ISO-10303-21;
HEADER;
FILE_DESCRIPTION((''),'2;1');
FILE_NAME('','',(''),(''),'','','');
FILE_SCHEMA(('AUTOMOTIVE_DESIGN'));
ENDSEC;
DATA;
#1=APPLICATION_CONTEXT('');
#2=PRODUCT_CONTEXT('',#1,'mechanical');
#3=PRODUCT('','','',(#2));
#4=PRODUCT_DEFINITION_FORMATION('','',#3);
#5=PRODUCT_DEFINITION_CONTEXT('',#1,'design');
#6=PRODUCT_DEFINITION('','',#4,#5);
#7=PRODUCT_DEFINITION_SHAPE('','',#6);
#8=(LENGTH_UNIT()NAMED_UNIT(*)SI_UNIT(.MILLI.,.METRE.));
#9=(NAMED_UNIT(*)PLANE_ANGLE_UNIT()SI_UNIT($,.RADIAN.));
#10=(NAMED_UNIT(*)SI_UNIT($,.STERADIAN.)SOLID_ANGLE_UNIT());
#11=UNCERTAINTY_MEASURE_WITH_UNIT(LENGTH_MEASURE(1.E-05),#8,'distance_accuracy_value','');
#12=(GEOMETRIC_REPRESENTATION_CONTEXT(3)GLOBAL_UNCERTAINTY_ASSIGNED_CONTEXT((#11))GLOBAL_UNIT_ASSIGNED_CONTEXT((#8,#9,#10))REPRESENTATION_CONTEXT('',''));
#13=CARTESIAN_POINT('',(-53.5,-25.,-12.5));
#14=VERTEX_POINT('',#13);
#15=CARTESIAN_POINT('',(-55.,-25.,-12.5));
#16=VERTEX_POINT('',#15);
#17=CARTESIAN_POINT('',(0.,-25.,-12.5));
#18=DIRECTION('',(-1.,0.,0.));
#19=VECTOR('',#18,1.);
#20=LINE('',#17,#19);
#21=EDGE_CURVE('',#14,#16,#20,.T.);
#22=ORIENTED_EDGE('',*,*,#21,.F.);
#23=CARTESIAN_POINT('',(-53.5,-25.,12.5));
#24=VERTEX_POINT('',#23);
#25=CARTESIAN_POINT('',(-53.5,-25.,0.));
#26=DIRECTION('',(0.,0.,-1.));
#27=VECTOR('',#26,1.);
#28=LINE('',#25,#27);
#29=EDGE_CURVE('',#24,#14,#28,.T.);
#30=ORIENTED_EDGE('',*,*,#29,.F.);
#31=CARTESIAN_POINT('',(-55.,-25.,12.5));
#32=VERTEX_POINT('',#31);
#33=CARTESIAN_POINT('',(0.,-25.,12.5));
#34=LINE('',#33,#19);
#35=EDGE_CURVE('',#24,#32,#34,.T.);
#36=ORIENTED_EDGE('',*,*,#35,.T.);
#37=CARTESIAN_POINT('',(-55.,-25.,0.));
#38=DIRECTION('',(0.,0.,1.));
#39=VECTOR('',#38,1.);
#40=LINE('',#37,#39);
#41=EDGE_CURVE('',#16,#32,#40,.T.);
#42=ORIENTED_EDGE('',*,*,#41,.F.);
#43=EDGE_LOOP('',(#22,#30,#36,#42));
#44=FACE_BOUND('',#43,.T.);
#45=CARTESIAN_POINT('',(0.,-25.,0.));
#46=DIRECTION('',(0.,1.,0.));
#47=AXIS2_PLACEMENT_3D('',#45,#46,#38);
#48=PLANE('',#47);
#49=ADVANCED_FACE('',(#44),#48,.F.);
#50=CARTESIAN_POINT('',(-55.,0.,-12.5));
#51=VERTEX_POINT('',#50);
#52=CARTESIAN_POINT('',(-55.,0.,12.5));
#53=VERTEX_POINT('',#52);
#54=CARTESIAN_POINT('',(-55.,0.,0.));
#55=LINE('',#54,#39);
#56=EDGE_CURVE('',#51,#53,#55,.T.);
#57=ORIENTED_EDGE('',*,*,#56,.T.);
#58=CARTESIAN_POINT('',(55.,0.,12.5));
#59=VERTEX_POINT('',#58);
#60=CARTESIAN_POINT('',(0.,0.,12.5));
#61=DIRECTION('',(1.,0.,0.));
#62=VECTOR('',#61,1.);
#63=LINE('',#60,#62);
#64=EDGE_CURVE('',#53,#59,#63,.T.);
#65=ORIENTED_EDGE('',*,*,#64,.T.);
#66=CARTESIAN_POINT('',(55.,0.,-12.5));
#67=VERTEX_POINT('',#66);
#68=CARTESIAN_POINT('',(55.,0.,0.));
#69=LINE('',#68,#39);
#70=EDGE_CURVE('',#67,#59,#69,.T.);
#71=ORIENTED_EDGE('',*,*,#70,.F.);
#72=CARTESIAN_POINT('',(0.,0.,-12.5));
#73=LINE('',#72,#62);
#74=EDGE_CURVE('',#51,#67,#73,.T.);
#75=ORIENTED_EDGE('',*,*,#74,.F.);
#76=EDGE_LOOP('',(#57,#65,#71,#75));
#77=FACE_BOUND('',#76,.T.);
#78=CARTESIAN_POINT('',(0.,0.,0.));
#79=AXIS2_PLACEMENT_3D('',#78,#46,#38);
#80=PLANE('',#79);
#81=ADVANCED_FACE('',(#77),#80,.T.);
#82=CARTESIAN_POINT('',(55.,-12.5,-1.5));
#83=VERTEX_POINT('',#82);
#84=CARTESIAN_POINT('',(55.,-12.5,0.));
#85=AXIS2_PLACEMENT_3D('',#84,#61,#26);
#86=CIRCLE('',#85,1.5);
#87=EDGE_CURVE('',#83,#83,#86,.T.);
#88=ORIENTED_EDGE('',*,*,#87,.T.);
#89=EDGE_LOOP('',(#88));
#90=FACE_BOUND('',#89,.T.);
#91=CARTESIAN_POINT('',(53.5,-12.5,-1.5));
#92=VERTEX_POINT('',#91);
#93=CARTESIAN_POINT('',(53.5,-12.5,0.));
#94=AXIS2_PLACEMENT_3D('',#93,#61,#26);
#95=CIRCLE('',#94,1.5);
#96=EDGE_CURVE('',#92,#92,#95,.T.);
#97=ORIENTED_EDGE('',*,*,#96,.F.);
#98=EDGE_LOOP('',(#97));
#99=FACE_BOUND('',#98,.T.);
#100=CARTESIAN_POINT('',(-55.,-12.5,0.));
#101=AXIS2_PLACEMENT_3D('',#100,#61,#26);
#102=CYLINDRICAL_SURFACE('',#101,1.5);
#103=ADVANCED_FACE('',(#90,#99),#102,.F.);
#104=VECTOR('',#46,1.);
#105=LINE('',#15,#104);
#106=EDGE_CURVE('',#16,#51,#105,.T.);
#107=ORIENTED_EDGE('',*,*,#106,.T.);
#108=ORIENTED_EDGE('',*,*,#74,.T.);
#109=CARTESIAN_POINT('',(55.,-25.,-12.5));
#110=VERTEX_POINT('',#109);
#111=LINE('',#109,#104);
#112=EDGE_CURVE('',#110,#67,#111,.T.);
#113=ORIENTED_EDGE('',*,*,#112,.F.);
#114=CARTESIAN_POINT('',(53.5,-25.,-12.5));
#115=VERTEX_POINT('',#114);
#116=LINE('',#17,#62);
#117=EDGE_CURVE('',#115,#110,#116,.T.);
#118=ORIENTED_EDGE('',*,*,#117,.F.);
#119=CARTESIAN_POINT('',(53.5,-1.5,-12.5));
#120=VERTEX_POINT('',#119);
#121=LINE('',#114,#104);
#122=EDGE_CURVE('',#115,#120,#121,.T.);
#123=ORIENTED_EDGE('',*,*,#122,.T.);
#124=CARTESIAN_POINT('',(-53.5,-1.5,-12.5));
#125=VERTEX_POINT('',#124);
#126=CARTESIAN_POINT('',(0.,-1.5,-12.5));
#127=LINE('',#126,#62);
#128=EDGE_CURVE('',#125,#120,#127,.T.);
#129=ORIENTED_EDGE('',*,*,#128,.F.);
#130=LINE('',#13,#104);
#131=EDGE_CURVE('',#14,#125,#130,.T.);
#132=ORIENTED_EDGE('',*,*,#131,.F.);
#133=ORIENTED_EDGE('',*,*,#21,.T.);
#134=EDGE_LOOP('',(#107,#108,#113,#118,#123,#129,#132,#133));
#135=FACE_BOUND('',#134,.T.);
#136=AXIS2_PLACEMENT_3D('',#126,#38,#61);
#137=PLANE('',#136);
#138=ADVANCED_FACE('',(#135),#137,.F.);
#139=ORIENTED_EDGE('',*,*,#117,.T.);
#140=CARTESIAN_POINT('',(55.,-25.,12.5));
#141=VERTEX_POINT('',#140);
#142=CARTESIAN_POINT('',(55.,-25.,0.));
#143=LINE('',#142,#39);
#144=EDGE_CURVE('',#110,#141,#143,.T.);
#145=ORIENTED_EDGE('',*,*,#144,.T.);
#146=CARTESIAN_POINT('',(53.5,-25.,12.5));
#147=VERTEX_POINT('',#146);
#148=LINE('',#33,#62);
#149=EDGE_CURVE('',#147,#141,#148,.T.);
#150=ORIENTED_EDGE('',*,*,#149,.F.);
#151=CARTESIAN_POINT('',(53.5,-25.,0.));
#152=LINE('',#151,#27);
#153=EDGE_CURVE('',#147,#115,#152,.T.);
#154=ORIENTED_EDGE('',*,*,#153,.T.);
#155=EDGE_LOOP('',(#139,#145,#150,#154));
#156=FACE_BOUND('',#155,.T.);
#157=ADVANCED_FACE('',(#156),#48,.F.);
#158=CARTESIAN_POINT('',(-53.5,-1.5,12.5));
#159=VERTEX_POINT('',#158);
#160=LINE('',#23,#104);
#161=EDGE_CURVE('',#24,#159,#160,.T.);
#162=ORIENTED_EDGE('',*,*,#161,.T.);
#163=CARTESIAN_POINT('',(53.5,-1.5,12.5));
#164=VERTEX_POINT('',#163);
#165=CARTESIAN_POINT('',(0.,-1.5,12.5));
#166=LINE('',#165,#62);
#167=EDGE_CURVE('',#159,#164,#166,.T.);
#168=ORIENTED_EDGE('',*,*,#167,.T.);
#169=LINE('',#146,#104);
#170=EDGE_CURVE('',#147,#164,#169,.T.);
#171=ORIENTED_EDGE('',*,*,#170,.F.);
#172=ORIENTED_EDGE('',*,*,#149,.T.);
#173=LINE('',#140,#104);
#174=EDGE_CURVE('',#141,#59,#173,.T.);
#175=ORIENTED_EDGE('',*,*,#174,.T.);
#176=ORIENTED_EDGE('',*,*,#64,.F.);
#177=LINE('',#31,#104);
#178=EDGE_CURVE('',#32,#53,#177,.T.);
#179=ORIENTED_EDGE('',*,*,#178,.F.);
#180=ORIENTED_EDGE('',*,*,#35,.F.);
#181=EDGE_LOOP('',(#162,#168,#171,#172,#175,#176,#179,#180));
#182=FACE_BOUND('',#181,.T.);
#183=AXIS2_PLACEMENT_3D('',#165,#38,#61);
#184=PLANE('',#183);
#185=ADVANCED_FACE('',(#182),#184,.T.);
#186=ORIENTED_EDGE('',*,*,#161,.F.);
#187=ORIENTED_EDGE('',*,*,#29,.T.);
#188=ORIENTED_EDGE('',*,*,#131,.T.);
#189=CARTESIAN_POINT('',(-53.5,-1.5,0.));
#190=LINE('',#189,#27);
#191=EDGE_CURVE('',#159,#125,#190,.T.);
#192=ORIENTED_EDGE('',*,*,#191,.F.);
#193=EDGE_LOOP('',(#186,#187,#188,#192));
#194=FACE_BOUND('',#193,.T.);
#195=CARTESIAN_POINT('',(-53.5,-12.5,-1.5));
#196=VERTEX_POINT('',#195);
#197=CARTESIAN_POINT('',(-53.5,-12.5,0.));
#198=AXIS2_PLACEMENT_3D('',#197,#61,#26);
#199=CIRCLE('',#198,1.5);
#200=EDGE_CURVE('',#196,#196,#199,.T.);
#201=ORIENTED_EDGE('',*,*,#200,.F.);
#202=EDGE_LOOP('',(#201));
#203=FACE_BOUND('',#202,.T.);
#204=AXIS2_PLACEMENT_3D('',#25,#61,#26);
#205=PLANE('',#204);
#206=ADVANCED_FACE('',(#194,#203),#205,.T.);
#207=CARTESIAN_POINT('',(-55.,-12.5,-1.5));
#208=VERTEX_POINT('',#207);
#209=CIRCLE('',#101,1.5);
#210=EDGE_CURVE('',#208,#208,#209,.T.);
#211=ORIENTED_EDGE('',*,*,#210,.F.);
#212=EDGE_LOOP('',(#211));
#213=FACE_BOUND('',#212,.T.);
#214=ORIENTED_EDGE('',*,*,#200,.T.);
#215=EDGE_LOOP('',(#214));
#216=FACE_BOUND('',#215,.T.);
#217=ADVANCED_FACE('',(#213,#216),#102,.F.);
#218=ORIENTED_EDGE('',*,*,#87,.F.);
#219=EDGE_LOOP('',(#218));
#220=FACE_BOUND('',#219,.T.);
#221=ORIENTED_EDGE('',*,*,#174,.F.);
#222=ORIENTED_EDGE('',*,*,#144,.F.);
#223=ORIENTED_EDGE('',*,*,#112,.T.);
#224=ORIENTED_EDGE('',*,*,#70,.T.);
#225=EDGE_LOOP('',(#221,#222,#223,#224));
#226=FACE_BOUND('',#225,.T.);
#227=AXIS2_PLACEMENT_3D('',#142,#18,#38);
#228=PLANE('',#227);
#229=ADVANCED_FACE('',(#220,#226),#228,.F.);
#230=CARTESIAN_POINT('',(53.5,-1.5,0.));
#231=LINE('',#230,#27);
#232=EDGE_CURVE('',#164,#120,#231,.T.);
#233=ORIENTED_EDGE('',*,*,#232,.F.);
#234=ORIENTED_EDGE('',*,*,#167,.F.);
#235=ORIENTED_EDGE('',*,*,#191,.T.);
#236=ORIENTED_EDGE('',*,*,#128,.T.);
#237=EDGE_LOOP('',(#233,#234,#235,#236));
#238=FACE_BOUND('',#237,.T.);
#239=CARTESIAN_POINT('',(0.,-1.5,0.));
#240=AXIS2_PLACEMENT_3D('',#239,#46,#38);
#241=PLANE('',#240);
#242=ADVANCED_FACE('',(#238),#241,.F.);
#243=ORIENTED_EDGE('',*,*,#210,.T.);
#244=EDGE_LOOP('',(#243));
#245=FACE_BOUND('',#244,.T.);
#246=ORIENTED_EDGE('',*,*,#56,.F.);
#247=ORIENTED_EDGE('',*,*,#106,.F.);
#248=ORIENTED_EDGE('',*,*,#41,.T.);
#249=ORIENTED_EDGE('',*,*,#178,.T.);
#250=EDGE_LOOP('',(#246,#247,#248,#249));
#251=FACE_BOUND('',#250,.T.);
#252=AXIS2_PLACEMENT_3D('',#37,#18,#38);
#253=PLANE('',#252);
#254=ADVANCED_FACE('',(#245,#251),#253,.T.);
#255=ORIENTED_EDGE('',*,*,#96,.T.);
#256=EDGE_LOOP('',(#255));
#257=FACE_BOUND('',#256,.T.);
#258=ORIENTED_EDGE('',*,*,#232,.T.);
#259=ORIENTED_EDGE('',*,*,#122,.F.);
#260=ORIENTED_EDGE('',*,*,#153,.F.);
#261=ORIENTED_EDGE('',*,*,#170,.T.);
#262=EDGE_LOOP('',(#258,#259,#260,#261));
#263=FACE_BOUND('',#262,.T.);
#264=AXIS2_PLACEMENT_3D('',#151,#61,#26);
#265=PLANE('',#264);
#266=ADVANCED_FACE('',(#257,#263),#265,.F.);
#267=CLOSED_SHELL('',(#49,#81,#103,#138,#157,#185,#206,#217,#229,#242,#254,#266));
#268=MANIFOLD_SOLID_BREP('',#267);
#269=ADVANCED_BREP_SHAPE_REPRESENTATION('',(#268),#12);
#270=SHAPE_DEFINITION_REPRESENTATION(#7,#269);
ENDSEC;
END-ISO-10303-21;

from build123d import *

# Parameters (mm, degrees)
SKETCH3_W           = 107
SKETCH3_H           = 25
BOSS_EXTRUDE1_DEPTH = 1.5
SKETCH3_3_W         = 1.5
SKETCH3_3_H         = 25
BOSS_EXTRUDE2_DEPTH = 25
SKETCH4_R           = 1.5
CUT_EXTRUDE1_DEPTH  = 114.495594628


with BuildPart() as part:
    # Sketch3 → Boss-Extrude1 (new body)
    with BuildSketch(Plane(origin=(0, 0, 0), x_dir=(1, 0, 0), z_dir=(0, 1, 0))):
        Rectangle(SKETCH3_W, SKETCH3_H)
    extrude(amount=-BOSS_EXTRUDE1_DEPTH)

    # Sketch3<3> → Boss-Extrude2 (add)
    with BuildSketch(Plane(origin=(0, 0, 0), x_dir=(1, 0, 0), z_dir=(0, 1, 0))):
        with Locations((-54.25, 0)):
            Rectangle(SKETCH3_3_W, SKETCH3_3_H)
        with Locations((54.25, 0)):
            Rectangle(SKETCH3_3_W, SKETCH3_3_H)
    extrude(amount=-BOSS_EXTRUDE2_DEPTH)

    # Sketch4 → Cut-Extrude1 (cut, through all)
    with BuildSketch(Plane(origin=(55, 0, 0), x_dir=(0, 0, -1), z_dir=(1, 0, 0))):
        with Locations((0, -12.5)):
            Circle(SKETCH4_R)
    extrude(amount=-CUT_EXTRUDE1_DEPTH, mode=Mode.SUBTRACT)


solid = part.part
